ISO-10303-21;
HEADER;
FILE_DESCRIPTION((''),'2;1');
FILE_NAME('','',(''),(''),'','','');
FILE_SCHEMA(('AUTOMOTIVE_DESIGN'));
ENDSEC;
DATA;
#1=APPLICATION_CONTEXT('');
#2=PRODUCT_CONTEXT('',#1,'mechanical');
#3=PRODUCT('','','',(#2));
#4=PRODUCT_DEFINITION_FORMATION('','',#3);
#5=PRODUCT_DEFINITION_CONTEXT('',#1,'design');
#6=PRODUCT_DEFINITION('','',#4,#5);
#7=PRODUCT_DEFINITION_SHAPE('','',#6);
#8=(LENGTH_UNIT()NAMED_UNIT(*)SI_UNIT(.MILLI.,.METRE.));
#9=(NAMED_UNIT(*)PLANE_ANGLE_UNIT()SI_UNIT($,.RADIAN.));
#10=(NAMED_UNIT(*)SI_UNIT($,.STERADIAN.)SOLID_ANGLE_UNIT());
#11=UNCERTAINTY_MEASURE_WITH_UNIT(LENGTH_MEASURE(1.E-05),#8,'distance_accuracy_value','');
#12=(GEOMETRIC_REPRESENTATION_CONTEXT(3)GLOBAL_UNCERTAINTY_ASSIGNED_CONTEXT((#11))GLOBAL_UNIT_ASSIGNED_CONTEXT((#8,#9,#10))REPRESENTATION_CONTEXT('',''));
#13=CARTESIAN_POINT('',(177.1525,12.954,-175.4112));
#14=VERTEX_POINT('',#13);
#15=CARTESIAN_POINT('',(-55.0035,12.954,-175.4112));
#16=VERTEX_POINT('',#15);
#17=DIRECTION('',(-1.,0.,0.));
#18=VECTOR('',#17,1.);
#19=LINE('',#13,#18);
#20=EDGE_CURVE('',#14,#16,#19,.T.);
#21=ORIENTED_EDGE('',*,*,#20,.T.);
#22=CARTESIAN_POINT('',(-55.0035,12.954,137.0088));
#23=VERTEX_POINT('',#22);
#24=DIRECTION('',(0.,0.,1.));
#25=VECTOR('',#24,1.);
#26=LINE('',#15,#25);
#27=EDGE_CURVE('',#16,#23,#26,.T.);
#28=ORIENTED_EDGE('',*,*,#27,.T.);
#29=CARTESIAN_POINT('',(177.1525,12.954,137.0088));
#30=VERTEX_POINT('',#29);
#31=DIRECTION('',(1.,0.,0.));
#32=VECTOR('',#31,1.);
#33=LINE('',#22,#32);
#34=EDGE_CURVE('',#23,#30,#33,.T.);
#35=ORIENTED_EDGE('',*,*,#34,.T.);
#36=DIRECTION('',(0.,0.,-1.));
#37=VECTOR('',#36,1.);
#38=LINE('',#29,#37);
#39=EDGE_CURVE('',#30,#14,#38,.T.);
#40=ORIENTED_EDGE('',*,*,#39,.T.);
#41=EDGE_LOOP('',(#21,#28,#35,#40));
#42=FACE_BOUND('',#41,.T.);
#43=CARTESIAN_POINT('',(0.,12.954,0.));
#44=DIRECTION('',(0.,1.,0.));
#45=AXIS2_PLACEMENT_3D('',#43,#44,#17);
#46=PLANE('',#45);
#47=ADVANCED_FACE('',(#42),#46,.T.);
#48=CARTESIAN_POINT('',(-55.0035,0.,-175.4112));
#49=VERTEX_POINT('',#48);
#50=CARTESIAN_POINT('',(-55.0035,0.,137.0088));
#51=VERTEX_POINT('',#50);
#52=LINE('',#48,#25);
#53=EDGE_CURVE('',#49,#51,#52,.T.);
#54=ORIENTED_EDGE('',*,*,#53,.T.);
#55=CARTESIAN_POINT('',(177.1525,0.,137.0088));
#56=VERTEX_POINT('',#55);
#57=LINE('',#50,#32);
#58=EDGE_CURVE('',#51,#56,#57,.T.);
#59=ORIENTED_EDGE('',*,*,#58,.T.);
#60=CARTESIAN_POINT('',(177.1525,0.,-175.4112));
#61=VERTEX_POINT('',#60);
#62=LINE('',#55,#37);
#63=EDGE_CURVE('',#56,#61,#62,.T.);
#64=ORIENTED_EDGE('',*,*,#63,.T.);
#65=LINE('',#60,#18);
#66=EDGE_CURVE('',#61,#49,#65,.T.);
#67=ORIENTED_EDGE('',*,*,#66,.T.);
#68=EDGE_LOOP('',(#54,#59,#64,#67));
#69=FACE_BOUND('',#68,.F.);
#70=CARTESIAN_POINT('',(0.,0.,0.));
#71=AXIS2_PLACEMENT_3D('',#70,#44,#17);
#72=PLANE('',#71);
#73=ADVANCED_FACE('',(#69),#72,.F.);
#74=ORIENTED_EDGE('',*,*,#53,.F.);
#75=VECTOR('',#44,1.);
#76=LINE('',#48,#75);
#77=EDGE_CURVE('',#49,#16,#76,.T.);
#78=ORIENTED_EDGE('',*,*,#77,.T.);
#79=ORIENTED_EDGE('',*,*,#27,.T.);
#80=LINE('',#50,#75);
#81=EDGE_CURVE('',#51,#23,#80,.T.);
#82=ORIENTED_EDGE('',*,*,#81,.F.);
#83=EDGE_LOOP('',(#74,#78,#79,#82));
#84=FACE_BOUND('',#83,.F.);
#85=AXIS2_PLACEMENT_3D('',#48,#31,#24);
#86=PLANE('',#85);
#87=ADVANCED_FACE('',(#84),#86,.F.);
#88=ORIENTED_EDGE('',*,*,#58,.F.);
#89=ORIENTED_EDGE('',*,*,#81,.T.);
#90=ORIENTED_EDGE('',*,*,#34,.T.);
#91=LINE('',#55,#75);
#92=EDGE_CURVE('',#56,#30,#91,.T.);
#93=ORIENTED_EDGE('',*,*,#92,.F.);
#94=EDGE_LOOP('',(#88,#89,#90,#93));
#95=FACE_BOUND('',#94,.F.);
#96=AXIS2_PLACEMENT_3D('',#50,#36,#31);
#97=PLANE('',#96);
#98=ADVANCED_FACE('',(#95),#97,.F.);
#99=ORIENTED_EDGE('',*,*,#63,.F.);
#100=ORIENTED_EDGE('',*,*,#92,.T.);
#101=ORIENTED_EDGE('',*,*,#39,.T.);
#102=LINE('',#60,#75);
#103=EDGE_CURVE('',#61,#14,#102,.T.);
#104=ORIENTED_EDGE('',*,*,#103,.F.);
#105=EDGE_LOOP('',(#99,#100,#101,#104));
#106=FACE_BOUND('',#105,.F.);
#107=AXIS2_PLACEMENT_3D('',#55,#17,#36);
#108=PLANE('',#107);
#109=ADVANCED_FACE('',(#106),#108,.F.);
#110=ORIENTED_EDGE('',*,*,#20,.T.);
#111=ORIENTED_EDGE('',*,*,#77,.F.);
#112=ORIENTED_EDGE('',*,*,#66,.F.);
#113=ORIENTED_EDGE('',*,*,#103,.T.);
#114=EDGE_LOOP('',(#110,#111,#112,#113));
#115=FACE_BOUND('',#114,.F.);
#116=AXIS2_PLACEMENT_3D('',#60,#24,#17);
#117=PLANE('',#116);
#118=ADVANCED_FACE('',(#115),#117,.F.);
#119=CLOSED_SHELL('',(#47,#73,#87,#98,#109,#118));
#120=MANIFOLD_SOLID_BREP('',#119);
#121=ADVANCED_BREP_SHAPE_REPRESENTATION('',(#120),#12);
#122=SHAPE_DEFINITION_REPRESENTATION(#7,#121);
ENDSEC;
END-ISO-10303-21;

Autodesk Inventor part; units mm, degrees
ref_plane "YZ Plane" through (0, 0, 0) normal (1, 0, 0) x (0, 1, 0)
ref_plane "XZ Plane" through (0, 0, 0) normal (0, 1, 0) x (-1, 0, 0)
ref_plane "XY Plane" through (0, 0, 0) normal (0, 0, 1) x (1, 0, 0)
sketch "Sketch1" plane through (0, 0, 0) normal (0, 1, 0) x (-1, 0, 0)
  line L0 (55.0035, 137.0088) -> (-177.1525, 137.0088)
  line L1 (-177.1525, 137.0088) -> (-177.1525, -175.4112)
  line L2 (-177.1525, -175.4112) -> (55.0035, -175.4112)
  line L3 (55.0035, -175.4112) -> (55.0035, 137.0088)
  point P0 (0, 0)
  dimension "d0" = 312.42
  dimension "d1" = 232.156
extrude "Extrusion1" add sketch "Sketch1" along normal blind 12.954
properties part number "SurfaceBook2"
